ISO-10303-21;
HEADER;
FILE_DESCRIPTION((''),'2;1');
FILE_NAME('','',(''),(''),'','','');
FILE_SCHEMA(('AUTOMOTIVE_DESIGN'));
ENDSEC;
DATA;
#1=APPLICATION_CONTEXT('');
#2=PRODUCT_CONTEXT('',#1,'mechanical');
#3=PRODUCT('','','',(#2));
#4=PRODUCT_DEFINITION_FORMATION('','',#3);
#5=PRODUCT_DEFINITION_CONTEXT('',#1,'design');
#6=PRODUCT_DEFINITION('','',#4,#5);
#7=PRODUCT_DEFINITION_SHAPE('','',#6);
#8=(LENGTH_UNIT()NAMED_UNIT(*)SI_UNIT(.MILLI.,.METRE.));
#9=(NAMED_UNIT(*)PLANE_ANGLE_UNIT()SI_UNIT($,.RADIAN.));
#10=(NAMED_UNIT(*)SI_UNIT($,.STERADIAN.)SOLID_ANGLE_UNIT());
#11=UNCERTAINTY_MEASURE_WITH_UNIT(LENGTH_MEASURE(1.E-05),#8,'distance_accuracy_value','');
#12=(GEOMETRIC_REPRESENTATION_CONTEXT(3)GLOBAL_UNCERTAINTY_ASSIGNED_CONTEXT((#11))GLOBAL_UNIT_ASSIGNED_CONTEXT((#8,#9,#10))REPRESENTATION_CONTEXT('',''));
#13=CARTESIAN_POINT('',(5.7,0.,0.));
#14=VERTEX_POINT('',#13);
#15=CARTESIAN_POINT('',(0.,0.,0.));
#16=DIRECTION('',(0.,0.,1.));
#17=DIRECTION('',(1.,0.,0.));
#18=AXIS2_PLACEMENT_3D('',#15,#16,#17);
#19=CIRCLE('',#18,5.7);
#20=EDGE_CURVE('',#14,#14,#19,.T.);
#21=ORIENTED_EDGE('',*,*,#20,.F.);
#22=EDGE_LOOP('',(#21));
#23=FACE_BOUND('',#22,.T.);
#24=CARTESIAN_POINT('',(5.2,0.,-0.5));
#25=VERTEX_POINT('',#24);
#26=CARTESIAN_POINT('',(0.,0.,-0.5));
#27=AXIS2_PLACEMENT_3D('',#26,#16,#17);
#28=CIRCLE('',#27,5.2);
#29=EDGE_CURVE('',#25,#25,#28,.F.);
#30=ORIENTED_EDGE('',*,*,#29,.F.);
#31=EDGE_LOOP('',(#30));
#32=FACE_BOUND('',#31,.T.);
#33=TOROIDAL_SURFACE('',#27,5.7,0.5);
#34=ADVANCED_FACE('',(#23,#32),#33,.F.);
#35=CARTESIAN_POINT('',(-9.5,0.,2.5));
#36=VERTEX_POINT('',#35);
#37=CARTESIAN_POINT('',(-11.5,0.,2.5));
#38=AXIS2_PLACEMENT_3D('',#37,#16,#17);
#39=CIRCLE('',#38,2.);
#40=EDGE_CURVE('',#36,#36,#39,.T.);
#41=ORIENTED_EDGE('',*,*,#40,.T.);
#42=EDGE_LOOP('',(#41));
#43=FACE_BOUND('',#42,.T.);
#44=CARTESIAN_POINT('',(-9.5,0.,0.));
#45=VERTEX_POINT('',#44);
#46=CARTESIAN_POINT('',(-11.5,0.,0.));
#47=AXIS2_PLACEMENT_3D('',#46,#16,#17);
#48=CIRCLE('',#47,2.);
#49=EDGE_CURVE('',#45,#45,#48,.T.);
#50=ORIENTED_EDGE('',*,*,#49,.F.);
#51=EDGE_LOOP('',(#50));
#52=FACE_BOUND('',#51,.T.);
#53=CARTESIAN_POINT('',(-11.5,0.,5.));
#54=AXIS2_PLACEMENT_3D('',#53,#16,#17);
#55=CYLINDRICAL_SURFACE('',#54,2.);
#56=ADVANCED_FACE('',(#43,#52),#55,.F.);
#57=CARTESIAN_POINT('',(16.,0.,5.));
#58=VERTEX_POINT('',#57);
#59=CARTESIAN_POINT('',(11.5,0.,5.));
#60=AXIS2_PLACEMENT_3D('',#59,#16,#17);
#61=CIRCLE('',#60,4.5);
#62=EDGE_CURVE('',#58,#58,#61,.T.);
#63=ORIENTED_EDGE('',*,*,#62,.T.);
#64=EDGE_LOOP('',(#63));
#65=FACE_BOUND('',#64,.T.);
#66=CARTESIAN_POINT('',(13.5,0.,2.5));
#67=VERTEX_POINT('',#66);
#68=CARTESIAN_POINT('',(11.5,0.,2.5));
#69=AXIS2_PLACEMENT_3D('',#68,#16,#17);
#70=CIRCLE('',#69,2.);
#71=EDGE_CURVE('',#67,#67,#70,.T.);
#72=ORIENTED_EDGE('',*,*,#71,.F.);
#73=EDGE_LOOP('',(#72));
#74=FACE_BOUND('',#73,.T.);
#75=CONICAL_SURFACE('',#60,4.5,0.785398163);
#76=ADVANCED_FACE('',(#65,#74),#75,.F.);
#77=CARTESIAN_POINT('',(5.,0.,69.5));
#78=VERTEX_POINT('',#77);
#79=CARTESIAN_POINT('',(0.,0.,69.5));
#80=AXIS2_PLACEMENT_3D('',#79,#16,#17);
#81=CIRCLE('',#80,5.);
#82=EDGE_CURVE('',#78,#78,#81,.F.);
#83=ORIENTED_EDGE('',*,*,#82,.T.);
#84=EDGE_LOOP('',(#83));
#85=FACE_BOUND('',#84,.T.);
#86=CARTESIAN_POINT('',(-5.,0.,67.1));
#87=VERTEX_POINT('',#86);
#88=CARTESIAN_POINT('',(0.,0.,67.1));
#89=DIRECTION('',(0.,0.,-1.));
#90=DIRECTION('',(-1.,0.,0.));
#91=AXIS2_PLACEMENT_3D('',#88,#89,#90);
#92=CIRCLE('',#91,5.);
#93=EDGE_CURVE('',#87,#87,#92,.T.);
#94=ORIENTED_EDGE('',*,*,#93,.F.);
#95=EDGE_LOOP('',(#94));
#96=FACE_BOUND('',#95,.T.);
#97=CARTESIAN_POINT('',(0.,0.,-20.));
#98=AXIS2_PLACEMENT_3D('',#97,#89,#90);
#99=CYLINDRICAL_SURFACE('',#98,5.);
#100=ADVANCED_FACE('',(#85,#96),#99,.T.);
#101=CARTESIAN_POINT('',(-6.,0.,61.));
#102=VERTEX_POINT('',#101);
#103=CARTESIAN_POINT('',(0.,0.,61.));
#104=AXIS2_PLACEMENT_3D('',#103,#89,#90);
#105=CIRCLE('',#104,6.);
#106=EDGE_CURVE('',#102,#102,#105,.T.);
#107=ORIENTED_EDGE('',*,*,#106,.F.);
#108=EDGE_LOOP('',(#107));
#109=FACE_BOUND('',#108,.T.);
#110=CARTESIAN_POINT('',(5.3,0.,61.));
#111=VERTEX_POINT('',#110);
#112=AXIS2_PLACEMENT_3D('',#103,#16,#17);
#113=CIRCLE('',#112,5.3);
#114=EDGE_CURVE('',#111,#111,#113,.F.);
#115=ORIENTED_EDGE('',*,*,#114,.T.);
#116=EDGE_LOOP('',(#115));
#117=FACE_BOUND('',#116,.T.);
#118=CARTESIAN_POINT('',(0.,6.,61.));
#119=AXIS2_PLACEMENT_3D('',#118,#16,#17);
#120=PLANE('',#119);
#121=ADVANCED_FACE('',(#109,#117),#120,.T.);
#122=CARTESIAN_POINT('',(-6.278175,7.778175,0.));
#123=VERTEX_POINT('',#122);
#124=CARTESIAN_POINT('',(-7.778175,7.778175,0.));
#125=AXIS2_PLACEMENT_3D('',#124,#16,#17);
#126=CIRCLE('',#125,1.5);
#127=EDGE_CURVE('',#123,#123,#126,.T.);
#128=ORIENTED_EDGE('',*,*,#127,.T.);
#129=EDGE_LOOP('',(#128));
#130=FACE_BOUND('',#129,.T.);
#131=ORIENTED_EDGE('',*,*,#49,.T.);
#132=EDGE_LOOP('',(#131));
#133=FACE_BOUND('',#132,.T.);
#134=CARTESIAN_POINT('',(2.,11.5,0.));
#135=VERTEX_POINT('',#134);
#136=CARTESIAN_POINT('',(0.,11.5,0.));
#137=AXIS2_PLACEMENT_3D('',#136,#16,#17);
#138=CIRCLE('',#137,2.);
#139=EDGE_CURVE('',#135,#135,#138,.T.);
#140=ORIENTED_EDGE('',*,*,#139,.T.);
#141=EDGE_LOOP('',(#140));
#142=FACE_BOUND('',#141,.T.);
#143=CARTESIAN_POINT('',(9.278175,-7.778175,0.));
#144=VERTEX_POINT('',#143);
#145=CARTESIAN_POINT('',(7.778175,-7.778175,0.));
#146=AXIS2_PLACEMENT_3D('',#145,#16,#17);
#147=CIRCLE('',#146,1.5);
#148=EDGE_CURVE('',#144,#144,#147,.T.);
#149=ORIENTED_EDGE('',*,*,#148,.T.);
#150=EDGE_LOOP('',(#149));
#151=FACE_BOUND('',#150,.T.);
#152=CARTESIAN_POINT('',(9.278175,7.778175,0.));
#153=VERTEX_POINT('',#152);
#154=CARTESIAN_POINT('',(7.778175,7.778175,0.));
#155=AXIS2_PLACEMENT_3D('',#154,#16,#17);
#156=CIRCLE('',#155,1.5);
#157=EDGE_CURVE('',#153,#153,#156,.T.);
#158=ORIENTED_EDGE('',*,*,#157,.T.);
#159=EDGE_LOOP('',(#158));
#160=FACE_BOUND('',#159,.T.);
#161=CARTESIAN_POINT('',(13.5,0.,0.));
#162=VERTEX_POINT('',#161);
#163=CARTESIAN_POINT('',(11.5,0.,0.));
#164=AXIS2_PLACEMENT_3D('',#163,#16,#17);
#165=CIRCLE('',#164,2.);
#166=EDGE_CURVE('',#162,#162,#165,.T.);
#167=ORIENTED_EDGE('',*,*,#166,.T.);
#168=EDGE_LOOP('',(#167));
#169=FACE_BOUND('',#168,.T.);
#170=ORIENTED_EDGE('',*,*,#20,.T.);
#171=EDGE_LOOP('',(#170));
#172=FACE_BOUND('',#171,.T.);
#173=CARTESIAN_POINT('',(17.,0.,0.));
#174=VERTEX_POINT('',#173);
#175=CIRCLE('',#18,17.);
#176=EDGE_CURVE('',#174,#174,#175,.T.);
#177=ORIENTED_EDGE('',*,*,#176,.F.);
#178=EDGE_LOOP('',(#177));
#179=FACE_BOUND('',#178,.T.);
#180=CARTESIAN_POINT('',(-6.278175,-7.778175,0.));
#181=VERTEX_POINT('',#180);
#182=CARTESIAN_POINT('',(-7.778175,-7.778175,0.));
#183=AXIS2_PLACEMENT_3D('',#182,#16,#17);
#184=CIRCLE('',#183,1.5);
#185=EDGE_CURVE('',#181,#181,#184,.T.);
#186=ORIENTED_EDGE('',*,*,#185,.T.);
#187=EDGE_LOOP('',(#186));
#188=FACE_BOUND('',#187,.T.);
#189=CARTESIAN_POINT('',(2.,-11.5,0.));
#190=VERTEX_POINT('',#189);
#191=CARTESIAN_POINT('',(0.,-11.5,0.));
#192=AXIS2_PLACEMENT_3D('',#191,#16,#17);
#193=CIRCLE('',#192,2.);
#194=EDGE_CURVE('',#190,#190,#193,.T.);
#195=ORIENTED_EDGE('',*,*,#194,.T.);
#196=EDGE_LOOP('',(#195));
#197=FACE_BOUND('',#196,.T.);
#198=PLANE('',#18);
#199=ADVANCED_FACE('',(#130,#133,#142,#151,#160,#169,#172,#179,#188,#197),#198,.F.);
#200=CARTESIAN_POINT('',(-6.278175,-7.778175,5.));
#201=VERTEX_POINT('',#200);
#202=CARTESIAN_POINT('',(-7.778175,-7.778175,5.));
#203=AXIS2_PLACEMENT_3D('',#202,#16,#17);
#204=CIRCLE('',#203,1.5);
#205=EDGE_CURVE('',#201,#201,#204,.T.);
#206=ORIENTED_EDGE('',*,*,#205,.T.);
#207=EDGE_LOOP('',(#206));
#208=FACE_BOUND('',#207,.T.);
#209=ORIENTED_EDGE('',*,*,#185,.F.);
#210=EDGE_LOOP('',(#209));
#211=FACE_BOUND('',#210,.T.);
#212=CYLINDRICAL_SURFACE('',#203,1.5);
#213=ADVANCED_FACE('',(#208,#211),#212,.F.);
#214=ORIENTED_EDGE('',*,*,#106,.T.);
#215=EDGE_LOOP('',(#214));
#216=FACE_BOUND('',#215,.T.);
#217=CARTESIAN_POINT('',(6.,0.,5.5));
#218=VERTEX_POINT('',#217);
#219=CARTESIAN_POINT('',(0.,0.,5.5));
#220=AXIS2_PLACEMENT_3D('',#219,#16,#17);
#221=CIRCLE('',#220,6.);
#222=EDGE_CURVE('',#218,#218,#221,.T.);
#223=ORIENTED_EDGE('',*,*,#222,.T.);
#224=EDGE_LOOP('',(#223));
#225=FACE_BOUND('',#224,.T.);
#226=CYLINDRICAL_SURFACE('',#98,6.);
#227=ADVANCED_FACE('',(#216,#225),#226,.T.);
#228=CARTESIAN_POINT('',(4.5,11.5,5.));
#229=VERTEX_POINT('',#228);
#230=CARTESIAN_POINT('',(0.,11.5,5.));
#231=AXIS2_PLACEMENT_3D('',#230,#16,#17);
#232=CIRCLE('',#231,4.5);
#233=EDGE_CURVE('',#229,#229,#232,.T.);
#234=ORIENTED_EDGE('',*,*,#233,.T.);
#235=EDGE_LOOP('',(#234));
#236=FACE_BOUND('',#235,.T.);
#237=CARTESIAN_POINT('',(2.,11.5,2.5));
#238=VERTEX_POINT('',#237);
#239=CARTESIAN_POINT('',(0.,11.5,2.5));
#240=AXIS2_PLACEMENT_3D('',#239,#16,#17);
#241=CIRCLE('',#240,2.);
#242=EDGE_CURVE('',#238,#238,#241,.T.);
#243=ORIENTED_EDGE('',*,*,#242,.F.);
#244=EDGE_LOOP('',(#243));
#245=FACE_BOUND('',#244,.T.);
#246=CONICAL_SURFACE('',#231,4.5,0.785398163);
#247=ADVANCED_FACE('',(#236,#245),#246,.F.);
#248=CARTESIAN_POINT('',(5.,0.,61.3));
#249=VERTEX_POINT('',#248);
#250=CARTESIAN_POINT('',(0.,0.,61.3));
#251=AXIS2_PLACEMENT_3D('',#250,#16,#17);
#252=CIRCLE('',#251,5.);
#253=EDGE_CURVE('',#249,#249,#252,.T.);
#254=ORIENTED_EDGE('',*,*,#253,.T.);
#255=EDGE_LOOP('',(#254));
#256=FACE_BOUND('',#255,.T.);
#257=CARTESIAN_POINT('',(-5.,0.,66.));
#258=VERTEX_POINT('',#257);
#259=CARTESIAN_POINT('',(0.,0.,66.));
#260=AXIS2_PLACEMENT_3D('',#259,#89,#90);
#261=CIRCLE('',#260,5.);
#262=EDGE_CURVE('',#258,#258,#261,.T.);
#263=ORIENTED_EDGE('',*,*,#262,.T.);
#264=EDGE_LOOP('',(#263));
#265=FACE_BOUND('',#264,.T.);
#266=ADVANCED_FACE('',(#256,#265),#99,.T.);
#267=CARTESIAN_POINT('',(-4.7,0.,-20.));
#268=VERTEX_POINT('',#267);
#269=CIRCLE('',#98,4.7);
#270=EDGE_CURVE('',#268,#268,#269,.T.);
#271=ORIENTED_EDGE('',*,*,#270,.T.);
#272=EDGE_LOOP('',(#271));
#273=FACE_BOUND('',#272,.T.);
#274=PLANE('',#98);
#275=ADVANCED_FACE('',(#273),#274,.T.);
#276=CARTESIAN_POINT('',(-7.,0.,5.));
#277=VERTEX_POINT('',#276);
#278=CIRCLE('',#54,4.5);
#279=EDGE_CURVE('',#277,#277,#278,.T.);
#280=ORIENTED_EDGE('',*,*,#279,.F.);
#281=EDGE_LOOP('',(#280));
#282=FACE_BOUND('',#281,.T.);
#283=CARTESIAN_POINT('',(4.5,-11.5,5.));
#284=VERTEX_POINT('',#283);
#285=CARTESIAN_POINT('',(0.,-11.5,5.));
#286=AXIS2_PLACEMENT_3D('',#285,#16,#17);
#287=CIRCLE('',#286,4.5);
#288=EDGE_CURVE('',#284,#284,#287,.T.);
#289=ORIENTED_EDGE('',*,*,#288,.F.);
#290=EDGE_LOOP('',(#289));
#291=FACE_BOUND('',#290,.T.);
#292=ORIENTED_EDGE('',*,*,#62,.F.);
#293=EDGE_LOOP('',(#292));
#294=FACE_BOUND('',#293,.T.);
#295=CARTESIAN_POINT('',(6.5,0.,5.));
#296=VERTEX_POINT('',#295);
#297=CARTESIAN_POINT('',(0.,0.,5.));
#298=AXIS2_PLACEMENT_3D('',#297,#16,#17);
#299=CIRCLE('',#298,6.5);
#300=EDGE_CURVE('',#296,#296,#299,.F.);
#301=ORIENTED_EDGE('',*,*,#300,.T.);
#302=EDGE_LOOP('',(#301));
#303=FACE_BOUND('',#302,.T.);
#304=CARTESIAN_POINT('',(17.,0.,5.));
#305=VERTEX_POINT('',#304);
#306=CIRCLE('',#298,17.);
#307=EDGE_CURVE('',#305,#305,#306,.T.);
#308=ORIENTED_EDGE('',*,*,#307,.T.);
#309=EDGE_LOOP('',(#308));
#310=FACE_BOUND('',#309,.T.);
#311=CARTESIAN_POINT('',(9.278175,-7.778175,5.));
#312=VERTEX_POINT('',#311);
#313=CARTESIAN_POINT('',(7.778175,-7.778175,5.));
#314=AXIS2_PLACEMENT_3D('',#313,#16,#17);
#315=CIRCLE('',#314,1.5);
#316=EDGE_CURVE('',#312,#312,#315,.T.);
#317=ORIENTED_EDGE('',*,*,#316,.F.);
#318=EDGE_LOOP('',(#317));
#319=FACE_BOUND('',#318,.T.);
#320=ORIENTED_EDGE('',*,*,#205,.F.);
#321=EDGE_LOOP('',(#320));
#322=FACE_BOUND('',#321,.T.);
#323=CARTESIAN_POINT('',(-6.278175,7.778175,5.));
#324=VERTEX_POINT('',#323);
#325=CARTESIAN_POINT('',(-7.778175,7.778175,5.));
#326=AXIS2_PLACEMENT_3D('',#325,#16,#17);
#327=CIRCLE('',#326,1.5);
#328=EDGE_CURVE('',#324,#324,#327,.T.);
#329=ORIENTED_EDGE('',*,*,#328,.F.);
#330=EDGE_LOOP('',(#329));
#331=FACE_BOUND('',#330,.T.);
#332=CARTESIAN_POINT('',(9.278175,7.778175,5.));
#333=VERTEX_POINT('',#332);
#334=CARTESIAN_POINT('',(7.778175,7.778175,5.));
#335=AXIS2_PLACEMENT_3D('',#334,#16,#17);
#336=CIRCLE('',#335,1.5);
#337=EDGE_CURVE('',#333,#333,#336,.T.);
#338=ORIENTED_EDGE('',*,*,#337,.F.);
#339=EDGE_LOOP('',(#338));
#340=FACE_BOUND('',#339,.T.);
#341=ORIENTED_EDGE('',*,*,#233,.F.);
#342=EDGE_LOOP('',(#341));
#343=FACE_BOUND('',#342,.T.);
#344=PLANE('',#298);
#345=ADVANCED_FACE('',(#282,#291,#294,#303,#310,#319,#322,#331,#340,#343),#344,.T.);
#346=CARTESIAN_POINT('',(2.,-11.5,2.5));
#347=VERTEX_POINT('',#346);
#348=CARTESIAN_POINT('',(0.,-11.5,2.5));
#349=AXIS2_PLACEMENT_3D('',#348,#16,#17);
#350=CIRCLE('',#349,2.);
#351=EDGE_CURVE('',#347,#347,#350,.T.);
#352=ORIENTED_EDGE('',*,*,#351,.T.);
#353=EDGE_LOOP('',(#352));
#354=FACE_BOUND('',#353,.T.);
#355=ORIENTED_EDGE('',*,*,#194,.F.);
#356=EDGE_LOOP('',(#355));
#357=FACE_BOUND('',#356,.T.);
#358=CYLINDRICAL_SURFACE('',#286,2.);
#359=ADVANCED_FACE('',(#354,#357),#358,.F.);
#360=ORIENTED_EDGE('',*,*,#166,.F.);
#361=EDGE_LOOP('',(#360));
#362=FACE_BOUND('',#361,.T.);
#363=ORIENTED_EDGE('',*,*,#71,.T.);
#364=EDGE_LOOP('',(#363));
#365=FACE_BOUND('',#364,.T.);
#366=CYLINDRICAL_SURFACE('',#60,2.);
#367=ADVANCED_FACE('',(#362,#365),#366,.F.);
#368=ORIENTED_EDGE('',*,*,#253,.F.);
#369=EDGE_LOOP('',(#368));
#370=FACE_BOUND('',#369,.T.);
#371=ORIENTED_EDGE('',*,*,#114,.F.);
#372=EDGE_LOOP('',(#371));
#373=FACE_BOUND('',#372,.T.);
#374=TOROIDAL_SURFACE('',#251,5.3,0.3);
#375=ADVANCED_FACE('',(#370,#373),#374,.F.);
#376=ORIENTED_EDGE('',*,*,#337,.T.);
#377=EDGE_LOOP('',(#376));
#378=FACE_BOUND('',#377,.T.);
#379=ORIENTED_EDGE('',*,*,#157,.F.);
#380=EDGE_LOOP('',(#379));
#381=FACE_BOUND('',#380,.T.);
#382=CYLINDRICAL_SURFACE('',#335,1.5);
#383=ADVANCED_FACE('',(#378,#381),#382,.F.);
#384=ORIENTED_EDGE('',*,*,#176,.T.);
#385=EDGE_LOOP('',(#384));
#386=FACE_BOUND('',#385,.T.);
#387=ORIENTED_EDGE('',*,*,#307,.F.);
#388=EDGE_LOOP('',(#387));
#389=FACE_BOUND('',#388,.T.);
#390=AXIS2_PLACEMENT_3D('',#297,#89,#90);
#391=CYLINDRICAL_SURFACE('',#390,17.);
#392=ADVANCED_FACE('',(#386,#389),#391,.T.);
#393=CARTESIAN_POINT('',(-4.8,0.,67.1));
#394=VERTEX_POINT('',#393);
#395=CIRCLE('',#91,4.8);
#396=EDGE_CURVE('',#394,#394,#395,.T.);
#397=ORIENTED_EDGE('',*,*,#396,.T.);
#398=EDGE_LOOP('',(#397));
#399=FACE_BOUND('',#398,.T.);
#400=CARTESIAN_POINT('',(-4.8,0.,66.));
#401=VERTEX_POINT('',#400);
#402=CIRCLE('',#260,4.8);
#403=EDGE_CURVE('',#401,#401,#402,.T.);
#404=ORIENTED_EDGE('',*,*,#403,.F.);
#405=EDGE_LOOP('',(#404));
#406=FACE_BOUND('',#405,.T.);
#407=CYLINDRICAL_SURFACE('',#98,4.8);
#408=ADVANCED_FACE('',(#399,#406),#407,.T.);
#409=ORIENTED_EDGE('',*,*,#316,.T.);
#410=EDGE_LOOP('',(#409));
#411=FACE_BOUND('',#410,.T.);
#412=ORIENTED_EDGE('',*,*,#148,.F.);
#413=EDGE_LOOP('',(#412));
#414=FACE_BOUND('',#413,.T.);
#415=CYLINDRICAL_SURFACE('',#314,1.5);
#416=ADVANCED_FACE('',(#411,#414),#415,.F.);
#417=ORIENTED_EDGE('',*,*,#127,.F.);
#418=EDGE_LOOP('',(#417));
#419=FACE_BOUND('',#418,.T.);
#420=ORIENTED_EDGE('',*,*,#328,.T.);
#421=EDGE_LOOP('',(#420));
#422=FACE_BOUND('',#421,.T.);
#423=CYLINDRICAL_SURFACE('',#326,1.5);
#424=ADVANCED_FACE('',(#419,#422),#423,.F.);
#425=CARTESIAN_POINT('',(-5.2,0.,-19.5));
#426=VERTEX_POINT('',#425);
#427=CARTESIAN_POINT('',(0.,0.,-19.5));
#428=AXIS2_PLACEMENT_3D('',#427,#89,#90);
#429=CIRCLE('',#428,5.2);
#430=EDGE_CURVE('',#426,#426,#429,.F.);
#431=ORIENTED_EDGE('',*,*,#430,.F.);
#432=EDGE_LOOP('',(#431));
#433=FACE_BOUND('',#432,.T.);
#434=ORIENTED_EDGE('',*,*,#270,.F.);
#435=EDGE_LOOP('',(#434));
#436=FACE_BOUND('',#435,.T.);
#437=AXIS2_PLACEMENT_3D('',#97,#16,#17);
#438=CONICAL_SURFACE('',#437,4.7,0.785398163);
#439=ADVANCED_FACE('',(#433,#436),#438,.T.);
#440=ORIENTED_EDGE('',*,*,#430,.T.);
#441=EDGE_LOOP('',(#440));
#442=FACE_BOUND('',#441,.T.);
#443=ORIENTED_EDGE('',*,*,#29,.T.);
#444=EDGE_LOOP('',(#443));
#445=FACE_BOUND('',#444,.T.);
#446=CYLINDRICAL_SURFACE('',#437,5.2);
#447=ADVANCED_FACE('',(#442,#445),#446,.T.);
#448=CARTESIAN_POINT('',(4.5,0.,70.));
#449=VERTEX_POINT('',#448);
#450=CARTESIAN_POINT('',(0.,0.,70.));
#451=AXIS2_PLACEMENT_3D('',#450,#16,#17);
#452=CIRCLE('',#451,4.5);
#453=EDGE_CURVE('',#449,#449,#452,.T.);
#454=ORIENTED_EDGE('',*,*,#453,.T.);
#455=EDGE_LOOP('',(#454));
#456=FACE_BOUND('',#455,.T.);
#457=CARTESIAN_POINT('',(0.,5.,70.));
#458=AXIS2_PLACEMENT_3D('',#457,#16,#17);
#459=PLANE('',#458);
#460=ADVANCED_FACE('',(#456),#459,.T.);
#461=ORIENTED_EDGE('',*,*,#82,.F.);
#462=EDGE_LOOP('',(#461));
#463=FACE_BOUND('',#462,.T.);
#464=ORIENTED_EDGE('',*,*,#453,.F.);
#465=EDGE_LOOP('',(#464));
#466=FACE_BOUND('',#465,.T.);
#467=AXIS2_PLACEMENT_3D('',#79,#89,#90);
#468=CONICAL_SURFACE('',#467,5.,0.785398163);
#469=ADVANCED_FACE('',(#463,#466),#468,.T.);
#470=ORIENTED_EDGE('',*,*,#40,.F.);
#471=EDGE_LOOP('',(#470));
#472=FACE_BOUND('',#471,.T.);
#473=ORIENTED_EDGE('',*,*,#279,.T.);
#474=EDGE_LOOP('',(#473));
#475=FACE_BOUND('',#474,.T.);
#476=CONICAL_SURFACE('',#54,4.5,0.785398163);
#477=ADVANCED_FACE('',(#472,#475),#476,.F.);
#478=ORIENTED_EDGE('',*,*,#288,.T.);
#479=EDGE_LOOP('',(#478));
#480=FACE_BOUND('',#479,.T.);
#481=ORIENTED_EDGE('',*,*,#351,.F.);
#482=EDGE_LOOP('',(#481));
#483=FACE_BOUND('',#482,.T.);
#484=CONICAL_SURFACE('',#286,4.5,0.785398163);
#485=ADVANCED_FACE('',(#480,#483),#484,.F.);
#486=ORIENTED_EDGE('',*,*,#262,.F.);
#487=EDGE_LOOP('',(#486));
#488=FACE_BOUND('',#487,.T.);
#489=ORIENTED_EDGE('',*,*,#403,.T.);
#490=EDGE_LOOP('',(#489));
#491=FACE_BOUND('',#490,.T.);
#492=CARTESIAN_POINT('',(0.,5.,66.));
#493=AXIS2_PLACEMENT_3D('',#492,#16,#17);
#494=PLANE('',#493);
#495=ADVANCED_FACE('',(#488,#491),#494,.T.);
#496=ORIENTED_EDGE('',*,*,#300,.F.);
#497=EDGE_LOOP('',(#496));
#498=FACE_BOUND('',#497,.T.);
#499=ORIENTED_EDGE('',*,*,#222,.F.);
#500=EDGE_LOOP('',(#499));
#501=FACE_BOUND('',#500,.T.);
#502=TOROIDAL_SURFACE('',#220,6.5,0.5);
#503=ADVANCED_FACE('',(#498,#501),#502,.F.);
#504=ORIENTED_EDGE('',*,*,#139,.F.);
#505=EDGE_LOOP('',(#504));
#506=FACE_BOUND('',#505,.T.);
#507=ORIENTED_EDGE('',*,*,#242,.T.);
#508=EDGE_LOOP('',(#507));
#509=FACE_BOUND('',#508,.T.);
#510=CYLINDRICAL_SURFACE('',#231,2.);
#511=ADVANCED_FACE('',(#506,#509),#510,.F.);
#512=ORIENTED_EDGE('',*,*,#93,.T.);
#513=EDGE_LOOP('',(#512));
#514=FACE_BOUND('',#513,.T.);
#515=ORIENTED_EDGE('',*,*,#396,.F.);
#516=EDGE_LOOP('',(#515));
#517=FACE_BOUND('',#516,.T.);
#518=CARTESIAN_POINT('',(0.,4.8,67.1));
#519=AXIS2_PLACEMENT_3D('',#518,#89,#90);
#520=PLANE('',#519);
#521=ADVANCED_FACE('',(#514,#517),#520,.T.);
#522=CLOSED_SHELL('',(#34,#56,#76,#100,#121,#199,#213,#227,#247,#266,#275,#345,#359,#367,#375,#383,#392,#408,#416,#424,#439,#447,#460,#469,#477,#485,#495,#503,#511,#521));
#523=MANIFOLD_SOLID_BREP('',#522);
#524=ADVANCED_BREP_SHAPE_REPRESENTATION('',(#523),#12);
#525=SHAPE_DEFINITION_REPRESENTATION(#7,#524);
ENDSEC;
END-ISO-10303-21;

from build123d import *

# Parameters (mm, degrees)
SKETCH1_R                                            = 17
BOSS_EXTRUDE1_DEPTH                                  = 5
SKETCH3_R                                            = 5.2
BOSS_EXTRUDE3_DEPTH                                  = 20
CSK_FOR_M4_HEX_SOCKET_COUNTERSUNK_CAP_SC_D           = 4
CSK_FOR_M4_HEX_SOCKET_COUNTERSUNK_CAP_SC_CSINK_D     = 9
CSK_FOR_M4_HEX_SOCKET_COUNTERSUNK_CAP_SC_CSINK_ANGLE = 90
M4_TAPPED_HOLE1_D                                    = 3
CHAMFER1_SIZE                                        = 0.5
FILLET1_R                                            = 0.3
FILLET2_R                                            = 0.5


with BuildPart() as part:
    # Sketch1 → Boss-Extrude1 (new body)
    with BuildSketch(Plane.XY):
        Circle(SKETCH1_R)
    extrude(amount=BOSS_EXTRUDE1_DEPTH)

    # Sketch3 → Boss-Extrude3 (add)
    with BuildSketch(Plane(origin=(0, 0, 0), x_dir=(-1, 0, 0), z_dir=(0, 0, -1))):
        Circle(SKETCH3_R)
    extrude(amount=BOSS_EXTRUDE3_DEPTH)

    # CSK for M4 Hex Socket Countersunk Cap Screw1 (through all)
    with Locations(Plane.XY.offset(5)):
        with Locations((0, 11.5), (11.5, 0), (0, -11.5), (-11.5, 0)):
            CounterSinkHole(CSK_FOR_M4_HEX_SOCKET_COUNTERSUNK_CAP_SC_D / 2, CSK_FOR_M4_HEX_SOCKET_COUNTERSUNK_CAP_SC_CSINK_D / 2, counter_sink_angle=CSK_FOR_M4_HEX_SOCKET_COUNTERSUNK_CAP_SC_CSINK_ANGLE)

    # M4 Tapped Hole1 (through all)
    with Locations(Plane.XY.offset(5)):
        with Locations((7.778174593, 7.778174593), (-7.778174593, -7.778174593), (-7.778174593, 7.778174593), (7.778174593, -7.778174593)):
            Hole(M4_TAPPED_HOLE1_D / 2)

    # Sketch10 → Revolve1 (revolve)
    with BuildSketch(Plane(origin=(0, 0, 0), x_dir=(0, 0, -1), z_dir=(1, 0, 0))):
        Polygon((-5, 0), (-5, 6), (-61, 6), (-61, 5), (-66, 5), (-66, 4.8), (-67.1, 4.8), (-67.1, 5), (-70, 5), (-70, 0), align=None)
    revolve(axis=Axis((0, 0, -20), (0, 0, 1)))

    # Chamfer1
    chamfer1_edges = [part.edges().sort_by_distance(p)[0] for p in [
        (5.2, 0, -20),
        (0, -5, 70),
    ]]
    chamfer(chamfer1_edges, length=CHAMFER1_SIZE)

    # Fillet1
    fillet1_edges = [part.edges().sort_by_distance(p)[0] for p in [
        (0, -5, 61),
    ]]
    fillet(fillet1_edges, radius=FILLET1_R)

    # Fillet2
    fillet2_edges = [part.edges().sort_by_distance(p)[0] for p in [
        (5.2, 0, 0),
        (0, -6, 5),
    ]]
    fillet(fillet2_edges, radius=FILLET2_R)


solid = part.part
